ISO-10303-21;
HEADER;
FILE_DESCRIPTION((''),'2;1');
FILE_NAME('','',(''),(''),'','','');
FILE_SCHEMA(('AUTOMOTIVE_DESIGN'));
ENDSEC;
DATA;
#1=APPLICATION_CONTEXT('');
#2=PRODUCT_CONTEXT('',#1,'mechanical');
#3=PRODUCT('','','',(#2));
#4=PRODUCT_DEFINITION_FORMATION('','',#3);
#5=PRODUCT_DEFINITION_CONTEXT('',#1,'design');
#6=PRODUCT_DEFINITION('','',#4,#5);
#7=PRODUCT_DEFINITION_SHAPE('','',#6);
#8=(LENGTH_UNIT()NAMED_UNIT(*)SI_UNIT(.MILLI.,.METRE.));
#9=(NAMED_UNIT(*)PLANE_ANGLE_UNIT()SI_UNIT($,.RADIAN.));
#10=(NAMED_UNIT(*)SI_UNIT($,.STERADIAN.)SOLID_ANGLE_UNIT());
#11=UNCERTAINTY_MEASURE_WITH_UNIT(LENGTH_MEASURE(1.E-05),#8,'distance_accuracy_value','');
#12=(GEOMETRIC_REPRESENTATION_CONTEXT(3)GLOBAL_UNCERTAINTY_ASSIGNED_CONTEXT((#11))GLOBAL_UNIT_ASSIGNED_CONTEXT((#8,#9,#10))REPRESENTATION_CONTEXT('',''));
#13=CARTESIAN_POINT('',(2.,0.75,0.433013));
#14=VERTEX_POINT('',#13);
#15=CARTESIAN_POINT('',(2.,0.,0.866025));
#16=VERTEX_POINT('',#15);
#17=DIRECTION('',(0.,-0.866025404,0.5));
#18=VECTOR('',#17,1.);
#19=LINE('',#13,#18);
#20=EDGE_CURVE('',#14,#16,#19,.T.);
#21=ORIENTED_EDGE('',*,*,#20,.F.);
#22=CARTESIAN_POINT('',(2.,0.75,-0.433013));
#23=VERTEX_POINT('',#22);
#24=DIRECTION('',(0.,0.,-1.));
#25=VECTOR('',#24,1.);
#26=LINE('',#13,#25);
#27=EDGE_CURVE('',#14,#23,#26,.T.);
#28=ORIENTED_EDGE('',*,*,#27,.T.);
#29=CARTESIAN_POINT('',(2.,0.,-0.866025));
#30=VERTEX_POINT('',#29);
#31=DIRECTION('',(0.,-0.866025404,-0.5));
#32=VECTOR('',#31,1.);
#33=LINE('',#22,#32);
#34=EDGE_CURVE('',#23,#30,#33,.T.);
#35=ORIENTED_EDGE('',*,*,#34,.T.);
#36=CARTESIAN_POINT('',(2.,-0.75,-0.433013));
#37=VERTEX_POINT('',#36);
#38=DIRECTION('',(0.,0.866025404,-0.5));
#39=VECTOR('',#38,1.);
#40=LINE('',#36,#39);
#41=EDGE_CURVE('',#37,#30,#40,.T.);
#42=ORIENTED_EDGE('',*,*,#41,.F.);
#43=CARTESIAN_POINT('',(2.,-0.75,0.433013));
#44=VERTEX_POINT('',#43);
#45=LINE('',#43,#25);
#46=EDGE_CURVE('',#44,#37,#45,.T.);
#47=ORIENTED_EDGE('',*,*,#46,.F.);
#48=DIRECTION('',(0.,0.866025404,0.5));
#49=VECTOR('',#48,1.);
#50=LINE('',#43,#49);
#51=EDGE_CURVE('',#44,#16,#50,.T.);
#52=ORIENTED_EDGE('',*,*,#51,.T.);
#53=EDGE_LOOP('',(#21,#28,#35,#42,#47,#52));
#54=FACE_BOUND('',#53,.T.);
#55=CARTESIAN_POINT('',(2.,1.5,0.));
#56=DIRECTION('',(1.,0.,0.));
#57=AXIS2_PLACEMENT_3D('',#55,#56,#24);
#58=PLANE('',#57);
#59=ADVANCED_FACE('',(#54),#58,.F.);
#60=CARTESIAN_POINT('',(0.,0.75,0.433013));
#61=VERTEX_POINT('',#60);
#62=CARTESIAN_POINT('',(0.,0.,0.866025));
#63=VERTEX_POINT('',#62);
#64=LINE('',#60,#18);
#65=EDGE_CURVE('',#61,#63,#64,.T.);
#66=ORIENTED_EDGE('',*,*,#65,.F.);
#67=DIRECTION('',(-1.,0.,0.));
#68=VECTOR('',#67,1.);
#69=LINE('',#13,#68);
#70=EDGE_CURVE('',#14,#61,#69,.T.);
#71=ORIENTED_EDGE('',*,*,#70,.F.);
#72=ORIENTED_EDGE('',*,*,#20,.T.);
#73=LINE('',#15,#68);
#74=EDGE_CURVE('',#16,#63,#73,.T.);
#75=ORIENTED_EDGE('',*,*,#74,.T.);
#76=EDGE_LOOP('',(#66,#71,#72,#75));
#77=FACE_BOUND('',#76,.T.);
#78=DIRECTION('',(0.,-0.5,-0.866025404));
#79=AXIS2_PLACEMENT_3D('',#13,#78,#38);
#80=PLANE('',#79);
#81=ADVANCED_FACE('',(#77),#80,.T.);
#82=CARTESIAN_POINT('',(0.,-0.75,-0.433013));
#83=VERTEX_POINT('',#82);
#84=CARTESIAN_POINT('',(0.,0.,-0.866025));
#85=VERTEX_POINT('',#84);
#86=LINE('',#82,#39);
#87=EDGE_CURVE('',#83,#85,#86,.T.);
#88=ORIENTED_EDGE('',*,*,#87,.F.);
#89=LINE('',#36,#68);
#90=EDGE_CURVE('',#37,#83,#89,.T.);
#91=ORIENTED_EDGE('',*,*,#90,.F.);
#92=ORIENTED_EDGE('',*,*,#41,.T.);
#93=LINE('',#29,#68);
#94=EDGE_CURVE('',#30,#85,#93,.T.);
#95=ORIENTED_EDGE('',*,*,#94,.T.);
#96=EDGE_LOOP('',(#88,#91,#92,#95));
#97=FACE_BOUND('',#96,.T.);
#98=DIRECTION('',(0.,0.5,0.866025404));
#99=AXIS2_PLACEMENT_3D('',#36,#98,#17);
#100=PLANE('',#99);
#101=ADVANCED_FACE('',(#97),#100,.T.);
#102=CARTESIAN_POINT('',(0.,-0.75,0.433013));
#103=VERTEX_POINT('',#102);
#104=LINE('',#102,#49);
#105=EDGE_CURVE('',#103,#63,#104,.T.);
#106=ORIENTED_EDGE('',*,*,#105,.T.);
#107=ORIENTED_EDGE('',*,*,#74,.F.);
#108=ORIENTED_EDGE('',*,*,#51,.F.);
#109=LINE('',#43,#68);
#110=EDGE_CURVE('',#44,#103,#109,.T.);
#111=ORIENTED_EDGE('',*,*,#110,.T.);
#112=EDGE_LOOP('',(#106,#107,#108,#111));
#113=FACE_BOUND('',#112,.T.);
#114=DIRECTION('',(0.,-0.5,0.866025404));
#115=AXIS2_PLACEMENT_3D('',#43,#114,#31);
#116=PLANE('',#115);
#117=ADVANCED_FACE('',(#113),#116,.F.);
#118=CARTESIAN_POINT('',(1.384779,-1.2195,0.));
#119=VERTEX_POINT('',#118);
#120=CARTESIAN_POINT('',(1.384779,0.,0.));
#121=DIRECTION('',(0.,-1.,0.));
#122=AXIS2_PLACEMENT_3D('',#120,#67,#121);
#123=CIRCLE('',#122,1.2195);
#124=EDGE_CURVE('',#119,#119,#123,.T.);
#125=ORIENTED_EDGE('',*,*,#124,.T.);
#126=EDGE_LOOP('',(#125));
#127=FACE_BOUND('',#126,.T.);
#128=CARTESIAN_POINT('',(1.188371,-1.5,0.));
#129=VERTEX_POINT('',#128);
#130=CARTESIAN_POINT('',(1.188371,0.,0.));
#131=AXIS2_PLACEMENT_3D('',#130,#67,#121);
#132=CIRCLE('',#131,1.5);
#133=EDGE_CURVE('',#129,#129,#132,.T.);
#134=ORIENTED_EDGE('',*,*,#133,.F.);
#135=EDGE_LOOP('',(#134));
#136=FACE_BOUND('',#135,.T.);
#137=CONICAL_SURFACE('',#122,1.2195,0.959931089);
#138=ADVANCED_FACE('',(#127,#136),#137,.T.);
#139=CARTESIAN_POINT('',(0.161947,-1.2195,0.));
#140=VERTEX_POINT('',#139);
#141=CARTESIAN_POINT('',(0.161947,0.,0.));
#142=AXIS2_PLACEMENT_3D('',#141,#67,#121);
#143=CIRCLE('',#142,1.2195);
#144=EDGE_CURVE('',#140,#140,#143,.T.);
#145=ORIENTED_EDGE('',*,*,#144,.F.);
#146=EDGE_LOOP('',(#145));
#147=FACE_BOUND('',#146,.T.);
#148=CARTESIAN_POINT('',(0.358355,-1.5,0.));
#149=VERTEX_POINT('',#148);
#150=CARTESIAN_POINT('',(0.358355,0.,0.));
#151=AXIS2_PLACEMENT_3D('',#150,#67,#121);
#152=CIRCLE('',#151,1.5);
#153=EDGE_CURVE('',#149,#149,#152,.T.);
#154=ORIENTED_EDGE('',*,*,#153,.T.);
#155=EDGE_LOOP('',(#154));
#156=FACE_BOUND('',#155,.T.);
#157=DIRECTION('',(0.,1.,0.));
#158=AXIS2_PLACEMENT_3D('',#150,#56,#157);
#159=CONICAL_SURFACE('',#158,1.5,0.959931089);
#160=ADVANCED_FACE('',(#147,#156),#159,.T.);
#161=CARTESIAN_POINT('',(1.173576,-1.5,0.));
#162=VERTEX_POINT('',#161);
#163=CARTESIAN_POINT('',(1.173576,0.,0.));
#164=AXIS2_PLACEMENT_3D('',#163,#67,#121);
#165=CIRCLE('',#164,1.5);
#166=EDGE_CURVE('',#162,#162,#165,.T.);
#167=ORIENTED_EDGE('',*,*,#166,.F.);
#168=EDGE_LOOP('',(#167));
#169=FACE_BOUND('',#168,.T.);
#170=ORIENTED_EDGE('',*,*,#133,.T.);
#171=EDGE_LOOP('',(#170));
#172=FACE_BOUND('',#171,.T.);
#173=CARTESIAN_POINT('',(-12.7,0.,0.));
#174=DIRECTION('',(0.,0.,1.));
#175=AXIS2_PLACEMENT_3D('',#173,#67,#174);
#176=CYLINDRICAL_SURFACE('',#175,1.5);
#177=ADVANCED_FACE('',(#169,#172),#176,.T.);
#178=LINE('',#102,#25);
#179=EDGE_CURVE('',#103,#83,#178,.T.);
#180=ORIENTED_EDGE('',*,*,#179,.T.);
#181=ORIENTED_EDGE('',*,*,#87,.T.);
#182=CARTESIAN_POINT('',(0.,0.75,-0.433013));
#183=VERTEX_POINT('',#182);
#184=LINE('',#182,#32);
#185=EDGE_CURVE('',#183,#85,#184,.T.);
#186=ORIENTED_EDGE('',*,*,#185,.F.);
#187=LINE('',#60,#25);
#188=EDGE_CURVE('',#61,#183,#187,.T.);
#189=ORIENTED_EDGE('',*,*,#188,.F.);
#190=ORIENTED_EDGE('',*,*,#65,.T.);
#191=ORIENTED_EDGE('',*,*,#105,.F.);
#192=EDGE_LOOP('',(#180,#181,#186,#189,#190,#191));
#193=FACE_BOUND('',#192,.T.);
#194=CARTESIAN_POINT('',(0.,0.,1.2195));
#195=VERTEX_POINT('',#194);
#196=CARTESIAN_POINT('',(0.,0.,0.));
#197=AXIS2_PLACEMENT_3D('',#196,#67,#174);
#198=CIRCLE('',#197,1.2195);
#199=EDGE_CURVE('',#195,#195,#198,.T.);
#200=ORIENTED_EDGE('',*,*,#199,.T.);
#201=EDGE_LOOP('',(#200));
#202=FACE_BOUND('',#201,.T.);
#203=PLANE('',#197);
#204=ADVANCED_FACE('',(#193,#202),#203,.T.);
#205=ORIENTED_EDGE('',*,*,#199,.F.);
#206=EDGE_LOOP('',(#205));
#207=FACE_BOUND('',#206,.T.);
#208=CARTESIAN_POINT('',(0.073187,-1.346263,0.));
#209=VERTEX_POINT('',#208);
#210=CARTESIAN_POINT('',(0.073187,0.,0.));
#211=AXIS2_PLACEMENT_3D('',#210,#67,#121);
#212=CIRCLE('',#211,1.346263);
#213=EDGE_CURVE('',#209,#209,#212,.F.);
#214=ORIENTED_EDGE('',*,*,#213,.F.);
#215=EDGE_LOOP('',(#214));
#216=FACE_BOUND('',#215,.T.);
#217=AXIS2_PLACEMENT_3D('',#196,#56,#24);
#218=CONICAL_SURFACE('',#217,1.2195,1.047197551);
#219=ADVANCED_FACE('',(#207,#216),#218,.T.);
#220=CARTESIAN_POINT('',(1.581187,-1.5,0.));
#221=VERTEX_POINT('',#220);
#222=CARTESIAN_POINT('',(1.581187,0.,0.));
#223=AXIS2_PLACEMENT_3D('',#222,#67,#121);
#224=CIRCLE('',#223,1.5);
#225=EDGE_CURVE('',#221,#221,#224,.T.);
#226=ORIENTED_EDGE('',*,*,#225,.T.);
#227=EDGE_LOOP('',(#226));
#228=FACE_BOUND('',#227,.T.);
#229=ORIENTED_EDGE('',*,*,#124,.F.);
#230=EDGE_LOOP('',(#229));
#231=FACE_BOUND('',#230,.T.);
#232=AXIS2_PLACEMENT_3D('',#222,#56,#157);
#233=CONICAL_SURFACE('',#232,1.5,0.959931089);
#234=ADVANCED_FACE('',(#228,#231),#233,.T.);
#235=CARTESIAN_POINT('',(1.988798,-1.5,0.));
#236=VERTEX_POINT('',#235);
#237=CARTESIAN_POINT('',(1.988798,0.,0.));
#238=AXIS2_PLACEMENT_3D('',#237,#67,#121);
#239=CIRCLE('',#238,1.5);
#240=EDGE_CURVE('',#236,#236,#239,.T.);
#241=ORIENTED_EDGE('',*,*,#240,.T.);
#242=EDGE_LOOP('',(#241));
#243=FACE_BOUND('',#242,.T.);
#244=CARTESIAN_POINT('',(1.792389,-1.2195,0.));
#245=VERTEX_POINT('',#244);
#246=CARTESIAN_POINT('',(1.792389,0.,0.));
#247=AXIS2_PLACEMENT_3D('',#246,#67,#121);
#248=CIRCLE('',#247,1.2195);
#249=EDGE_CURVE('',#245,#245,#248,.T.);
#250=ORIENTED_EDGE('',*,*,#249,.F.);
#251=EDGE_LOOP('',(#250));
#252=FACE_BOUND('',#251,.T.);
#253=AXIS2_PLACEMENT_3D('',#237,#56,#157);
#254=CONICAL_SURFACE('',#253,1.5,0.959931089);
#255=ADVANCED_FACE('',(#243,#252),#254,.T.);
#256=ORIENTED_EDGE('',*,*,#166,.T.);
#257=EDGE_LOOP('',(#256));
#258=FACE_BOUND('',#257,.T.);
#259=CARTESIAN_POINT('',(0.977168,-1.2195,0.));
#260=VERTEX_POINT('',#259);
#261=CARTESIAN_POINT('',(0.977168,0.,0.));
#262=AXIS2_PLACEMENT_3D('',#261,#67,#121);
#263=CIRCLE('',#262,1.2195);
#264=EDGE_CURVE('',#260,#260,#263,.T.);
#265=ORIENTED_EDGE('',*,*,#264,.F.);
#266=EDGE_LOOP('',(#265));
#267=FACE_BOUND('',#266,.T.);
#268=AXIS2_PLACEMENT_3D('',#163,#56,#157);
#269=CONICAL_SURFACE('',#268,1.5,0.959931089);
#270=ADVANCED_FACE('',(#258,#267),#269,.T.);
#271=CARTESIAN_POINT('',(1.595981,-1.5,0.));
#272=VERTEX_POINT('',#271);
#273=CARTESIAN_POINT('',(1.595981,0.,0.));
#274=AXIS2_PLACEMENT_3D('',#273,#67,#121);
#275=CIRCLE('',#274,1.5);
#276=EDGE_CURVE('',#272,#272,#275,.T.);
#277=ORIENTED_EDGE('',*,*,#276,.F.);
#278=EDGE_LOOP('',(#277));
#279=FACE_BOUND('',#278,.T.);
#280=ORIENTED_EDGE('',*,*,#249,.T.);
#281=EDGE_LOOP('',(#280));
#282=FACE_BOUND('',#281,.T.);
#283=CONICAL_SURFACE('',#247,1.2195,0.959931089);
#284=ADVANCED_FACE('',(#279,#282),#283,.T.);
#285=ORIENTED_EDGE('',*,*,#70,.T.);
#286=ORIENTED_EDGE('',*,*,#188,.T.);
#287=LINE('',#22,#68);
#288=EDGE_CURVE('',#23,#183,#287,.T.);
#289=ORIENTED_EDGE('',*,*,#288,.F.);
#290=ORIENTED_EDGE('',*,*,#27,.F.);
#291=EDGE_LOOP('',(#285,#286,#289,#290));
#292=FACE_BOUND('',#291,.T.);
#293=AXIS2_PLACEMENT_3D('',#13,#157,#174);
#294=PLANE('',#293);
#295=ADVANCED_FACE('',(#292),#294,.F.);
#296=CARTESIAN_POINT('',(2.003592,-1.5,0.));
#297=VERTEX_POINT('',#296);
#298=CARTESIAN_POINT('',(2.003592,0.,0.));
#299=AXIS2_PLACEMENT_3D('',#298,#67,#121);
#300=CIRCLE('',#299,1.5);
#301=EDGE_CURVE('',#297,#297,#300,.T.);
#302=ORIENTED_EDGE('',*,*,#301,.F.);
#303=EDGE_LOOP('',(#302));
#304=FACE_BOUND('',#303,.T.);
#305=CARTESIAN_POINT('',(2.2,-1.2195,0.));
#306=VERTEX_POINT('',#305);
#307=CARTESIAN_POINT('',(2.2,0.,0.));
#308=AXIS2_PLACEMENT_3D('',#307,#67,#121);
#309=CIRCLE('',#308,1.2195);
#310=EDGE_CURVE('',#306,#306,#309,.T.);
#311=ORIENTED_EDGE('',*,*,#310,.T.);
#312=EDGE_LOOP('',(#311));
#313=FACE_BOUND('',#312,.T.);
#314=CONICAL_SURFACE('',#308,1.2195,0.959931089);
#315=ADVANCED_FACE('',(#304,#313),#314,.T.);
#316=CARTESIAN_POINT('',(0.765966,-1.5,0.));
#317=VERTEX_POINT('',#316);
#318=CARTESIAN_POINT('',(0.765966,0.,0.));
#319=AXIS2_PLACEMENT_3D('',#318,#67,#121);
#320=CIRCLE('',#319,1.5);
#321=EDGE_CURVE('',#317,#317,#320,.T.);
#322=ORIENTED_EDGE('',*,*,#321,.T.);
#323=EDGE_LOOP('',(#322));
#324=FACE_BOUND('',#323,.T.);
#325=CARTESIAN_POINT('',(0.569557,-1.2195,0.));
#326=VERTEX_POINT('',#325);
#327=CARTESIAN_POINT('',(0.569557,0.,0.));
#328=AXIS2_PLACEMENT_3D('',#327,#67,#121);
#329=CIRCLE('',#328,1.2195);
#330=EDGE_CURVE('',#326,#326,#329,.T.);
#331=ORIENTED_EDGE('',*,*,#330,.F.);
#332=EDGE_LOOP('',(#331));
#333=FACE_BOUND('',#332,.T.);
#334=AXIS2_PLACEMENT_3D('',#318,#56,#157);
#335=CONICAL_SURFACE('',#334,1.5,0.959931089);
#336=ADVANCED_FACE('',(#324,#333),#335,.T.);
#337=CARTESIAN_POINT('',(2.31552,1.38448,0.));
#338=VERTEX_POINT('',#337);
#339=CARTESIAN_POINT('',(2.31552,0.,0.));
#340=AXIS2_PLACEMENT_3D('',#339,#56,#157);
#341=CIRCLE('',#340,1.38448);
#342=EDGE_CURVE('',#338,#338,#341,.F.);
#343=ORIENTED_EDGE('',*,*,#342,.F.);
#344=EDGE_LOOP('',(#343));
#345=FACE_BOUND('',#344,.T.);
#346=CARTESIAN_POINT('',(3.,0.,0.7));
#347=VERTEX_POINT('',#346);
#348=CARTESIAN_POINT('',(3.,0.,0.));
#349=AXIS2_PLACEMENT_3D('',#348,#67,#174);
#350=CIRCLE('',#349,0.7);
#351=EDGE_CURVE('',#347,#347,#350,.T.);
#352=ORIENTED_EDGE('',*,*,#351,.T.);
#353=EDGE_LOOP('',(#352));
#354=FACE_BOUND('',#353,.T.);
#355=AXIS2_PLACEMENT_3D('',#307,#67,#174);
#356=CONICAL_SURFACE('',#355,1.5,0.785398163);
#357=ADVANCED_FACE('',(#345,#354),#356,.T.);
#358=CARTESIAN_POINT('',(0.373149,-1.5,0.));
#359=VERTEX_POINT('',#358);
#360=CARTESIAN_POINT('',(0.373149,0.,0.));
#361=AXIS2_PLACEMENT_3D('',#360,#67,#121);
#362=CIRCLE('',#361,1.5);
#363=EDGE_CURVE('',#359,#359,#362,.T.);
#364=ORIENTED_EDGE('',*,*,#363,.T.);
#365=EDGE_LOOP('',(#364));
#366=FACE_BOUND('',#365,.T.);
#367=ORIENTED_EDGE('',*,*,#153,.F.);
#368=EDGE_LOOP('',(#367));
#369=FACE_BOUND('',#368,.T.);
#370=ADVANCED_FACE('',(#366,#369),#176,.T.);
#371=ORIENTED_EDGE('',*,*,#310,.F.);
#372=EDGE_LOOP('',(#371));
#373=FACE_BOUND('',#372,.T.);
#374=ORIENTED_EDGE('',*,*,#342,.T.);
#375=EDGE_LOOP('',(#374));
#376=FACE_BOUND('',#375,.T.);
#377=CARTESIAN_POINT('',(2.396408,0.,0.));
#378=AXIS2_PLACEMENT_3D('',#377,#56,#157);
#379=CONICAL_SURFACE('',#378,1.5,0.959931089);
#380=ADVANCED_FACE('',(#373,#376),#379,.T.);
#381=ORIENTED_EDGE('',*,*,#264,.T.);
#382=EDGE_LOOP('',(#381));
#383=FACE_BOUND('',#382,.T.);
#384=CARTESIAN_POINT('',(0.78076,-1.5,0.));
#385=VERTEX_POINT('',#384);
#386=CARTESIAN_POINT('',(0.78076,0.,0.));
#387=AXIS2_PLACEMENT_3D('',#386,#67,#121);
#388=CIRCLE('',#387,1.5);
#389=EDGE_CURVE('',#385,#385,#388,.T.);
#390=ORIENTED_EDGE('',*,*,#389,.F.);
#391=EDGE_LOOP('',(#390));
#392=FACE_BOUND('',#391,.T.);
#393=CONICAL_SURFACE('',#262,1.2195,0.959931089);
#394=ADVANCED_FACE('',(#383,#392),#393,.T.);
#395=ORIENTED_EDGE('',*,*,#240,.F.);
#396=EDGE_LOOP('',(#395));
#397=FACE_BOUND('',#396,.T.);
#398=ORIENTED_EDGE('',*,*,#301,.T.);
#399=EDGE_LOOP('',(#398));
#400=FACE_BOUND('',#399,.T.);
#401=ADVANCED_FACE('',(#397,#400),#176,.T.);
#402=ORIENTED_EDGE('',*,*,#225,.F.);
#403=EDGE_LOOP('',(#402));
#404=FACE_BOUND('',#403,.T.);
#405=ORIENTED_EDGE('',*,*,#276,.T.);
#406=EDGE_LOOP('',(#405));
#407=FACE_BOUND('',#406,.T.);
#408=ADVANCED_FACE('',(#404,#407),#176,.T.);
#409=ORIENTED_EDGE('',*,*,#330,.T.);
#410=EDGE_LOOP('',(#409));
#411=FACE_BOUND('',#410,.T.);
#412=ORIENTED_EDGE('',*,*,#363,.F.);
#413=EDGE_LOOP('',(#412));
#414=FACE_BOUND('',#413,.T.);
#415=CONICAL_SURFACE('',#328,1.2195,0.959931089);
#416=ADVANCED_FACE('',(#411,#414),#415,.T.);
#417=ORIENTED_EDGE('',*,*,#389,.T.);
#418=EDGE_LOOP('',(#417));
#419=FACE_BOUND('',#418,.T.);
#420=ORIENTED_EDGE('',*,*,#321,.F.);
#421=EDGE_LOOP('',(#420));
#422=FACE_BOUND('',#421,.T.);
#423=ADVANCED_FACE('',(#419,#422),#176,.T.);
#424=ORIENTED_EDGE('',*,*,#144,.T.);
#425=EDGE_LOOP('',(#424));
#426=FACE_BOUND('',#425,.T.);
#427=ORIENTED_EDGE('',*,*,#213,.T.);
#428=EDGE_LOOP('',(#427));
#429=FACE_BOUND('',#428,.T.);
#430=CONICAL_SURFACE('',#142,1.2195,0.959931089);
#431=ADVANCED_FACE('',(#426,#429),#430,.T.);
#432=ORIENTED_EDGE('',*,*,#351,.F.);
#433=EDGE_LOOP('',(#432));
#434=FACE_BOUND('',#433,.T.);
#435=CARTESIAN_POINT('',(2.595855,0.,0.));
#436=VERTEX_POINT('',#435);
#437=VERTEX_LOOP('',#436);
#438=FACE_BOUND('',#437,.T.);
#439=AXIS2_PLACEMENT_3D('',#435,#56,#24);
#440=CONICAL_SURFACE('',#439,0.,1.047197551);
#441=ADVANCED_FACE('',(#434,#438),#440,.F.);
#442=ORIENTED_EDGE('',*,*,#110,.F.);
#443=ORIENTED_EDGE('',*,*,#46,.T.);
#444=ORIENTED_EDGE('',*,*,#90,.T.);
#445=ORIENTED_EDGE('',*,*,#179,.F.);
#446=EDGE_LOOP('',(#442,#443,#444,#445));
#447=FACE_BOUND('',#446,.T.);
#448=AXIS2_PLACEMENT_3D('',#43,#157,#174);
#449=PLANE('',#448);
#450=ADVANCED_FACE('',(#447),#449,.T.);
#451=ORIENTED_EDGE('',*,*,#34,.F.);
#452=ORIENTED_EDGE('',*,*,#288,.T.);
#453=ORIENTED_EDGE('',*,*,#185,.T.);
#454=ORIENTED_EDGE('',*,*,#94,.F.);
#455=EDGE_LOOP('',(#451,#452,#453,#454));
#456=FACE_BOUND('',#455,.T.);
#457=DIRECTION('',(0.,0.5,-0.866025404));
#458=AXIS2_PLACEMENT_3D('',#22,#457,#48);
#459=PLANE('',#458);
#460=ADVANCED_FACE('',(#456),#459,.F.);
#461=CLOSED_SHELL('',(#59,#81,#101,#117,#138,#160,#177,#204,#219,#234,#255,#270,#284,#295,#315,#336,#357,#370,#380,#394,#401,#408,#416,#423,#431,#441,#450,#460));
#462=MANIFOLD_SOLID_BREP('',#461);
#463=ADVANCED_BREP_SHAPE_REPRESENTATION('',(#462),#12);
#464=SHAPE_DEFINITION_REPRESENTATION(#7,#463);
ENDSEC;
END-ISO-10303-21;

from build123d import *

# Parameters (mm, degrees)
HEX_2_DEPTH     = 2
THDSCHPAT_COUNT = 6
THDSCHPAT_PITCH = 0.407610675


with BuildPart() as part:
    # BodySke → BaseBody (revolve)
    with BuildSketch(Plane.XY, mode=Mode.PRIVATE) as basebody_sk:
        Polygon((0, 0), (0, 1.2195), (0.161946751, 1.5), (2.2, 1.5), (3, 0.7), (2.595854812, 0), align=None)
    revolve(basebody_sk.sketch.rotate(Axis((-12.7, 0, 0), (1, 0, 0)), 90), axis=Axis((-12.7, 0, 0), (1, 0, 0)))

    # Sketch2 → Hex 2 (cut)
    with BuildSketch(Plane.ZY):
        Polygon((0.433012702, 0.75), (-0.433012702, 0.75), (-0.866025404, 0), (-0.433012702, -0.75), (0.433012702, -0.75), (0.866025404, 0), align=None)
    extrude(amount=-HEX_2_DEPTH, mode=Mode.SUBTRACT)

    # ThdSchSke → ThreadSchematic (revolve, cut)
    with BuildSketch(Plane.XY):
        Polygon((0.161946751, -1.2195), (-0.034461464, -1.5), (-0.034461464, -1.875), (0.358354965, -1.875), (0.358354965, -1.5), align=None)
    threadschematic = revolve(axis=Axis((-3.175, 0, 0), (1, 0, 0)), mode=Mode.SUBTRACT)

    # ThdSchPat: ThreadSchematic ×6
    with Locations(*[(i * THDSCHPAT_PITCH, 0, 0) for i in range(1, THDSCHPAT_COUNT)]):
        add(threadschematic, mode=Mode.SUBTRACT)


solid = part.part
